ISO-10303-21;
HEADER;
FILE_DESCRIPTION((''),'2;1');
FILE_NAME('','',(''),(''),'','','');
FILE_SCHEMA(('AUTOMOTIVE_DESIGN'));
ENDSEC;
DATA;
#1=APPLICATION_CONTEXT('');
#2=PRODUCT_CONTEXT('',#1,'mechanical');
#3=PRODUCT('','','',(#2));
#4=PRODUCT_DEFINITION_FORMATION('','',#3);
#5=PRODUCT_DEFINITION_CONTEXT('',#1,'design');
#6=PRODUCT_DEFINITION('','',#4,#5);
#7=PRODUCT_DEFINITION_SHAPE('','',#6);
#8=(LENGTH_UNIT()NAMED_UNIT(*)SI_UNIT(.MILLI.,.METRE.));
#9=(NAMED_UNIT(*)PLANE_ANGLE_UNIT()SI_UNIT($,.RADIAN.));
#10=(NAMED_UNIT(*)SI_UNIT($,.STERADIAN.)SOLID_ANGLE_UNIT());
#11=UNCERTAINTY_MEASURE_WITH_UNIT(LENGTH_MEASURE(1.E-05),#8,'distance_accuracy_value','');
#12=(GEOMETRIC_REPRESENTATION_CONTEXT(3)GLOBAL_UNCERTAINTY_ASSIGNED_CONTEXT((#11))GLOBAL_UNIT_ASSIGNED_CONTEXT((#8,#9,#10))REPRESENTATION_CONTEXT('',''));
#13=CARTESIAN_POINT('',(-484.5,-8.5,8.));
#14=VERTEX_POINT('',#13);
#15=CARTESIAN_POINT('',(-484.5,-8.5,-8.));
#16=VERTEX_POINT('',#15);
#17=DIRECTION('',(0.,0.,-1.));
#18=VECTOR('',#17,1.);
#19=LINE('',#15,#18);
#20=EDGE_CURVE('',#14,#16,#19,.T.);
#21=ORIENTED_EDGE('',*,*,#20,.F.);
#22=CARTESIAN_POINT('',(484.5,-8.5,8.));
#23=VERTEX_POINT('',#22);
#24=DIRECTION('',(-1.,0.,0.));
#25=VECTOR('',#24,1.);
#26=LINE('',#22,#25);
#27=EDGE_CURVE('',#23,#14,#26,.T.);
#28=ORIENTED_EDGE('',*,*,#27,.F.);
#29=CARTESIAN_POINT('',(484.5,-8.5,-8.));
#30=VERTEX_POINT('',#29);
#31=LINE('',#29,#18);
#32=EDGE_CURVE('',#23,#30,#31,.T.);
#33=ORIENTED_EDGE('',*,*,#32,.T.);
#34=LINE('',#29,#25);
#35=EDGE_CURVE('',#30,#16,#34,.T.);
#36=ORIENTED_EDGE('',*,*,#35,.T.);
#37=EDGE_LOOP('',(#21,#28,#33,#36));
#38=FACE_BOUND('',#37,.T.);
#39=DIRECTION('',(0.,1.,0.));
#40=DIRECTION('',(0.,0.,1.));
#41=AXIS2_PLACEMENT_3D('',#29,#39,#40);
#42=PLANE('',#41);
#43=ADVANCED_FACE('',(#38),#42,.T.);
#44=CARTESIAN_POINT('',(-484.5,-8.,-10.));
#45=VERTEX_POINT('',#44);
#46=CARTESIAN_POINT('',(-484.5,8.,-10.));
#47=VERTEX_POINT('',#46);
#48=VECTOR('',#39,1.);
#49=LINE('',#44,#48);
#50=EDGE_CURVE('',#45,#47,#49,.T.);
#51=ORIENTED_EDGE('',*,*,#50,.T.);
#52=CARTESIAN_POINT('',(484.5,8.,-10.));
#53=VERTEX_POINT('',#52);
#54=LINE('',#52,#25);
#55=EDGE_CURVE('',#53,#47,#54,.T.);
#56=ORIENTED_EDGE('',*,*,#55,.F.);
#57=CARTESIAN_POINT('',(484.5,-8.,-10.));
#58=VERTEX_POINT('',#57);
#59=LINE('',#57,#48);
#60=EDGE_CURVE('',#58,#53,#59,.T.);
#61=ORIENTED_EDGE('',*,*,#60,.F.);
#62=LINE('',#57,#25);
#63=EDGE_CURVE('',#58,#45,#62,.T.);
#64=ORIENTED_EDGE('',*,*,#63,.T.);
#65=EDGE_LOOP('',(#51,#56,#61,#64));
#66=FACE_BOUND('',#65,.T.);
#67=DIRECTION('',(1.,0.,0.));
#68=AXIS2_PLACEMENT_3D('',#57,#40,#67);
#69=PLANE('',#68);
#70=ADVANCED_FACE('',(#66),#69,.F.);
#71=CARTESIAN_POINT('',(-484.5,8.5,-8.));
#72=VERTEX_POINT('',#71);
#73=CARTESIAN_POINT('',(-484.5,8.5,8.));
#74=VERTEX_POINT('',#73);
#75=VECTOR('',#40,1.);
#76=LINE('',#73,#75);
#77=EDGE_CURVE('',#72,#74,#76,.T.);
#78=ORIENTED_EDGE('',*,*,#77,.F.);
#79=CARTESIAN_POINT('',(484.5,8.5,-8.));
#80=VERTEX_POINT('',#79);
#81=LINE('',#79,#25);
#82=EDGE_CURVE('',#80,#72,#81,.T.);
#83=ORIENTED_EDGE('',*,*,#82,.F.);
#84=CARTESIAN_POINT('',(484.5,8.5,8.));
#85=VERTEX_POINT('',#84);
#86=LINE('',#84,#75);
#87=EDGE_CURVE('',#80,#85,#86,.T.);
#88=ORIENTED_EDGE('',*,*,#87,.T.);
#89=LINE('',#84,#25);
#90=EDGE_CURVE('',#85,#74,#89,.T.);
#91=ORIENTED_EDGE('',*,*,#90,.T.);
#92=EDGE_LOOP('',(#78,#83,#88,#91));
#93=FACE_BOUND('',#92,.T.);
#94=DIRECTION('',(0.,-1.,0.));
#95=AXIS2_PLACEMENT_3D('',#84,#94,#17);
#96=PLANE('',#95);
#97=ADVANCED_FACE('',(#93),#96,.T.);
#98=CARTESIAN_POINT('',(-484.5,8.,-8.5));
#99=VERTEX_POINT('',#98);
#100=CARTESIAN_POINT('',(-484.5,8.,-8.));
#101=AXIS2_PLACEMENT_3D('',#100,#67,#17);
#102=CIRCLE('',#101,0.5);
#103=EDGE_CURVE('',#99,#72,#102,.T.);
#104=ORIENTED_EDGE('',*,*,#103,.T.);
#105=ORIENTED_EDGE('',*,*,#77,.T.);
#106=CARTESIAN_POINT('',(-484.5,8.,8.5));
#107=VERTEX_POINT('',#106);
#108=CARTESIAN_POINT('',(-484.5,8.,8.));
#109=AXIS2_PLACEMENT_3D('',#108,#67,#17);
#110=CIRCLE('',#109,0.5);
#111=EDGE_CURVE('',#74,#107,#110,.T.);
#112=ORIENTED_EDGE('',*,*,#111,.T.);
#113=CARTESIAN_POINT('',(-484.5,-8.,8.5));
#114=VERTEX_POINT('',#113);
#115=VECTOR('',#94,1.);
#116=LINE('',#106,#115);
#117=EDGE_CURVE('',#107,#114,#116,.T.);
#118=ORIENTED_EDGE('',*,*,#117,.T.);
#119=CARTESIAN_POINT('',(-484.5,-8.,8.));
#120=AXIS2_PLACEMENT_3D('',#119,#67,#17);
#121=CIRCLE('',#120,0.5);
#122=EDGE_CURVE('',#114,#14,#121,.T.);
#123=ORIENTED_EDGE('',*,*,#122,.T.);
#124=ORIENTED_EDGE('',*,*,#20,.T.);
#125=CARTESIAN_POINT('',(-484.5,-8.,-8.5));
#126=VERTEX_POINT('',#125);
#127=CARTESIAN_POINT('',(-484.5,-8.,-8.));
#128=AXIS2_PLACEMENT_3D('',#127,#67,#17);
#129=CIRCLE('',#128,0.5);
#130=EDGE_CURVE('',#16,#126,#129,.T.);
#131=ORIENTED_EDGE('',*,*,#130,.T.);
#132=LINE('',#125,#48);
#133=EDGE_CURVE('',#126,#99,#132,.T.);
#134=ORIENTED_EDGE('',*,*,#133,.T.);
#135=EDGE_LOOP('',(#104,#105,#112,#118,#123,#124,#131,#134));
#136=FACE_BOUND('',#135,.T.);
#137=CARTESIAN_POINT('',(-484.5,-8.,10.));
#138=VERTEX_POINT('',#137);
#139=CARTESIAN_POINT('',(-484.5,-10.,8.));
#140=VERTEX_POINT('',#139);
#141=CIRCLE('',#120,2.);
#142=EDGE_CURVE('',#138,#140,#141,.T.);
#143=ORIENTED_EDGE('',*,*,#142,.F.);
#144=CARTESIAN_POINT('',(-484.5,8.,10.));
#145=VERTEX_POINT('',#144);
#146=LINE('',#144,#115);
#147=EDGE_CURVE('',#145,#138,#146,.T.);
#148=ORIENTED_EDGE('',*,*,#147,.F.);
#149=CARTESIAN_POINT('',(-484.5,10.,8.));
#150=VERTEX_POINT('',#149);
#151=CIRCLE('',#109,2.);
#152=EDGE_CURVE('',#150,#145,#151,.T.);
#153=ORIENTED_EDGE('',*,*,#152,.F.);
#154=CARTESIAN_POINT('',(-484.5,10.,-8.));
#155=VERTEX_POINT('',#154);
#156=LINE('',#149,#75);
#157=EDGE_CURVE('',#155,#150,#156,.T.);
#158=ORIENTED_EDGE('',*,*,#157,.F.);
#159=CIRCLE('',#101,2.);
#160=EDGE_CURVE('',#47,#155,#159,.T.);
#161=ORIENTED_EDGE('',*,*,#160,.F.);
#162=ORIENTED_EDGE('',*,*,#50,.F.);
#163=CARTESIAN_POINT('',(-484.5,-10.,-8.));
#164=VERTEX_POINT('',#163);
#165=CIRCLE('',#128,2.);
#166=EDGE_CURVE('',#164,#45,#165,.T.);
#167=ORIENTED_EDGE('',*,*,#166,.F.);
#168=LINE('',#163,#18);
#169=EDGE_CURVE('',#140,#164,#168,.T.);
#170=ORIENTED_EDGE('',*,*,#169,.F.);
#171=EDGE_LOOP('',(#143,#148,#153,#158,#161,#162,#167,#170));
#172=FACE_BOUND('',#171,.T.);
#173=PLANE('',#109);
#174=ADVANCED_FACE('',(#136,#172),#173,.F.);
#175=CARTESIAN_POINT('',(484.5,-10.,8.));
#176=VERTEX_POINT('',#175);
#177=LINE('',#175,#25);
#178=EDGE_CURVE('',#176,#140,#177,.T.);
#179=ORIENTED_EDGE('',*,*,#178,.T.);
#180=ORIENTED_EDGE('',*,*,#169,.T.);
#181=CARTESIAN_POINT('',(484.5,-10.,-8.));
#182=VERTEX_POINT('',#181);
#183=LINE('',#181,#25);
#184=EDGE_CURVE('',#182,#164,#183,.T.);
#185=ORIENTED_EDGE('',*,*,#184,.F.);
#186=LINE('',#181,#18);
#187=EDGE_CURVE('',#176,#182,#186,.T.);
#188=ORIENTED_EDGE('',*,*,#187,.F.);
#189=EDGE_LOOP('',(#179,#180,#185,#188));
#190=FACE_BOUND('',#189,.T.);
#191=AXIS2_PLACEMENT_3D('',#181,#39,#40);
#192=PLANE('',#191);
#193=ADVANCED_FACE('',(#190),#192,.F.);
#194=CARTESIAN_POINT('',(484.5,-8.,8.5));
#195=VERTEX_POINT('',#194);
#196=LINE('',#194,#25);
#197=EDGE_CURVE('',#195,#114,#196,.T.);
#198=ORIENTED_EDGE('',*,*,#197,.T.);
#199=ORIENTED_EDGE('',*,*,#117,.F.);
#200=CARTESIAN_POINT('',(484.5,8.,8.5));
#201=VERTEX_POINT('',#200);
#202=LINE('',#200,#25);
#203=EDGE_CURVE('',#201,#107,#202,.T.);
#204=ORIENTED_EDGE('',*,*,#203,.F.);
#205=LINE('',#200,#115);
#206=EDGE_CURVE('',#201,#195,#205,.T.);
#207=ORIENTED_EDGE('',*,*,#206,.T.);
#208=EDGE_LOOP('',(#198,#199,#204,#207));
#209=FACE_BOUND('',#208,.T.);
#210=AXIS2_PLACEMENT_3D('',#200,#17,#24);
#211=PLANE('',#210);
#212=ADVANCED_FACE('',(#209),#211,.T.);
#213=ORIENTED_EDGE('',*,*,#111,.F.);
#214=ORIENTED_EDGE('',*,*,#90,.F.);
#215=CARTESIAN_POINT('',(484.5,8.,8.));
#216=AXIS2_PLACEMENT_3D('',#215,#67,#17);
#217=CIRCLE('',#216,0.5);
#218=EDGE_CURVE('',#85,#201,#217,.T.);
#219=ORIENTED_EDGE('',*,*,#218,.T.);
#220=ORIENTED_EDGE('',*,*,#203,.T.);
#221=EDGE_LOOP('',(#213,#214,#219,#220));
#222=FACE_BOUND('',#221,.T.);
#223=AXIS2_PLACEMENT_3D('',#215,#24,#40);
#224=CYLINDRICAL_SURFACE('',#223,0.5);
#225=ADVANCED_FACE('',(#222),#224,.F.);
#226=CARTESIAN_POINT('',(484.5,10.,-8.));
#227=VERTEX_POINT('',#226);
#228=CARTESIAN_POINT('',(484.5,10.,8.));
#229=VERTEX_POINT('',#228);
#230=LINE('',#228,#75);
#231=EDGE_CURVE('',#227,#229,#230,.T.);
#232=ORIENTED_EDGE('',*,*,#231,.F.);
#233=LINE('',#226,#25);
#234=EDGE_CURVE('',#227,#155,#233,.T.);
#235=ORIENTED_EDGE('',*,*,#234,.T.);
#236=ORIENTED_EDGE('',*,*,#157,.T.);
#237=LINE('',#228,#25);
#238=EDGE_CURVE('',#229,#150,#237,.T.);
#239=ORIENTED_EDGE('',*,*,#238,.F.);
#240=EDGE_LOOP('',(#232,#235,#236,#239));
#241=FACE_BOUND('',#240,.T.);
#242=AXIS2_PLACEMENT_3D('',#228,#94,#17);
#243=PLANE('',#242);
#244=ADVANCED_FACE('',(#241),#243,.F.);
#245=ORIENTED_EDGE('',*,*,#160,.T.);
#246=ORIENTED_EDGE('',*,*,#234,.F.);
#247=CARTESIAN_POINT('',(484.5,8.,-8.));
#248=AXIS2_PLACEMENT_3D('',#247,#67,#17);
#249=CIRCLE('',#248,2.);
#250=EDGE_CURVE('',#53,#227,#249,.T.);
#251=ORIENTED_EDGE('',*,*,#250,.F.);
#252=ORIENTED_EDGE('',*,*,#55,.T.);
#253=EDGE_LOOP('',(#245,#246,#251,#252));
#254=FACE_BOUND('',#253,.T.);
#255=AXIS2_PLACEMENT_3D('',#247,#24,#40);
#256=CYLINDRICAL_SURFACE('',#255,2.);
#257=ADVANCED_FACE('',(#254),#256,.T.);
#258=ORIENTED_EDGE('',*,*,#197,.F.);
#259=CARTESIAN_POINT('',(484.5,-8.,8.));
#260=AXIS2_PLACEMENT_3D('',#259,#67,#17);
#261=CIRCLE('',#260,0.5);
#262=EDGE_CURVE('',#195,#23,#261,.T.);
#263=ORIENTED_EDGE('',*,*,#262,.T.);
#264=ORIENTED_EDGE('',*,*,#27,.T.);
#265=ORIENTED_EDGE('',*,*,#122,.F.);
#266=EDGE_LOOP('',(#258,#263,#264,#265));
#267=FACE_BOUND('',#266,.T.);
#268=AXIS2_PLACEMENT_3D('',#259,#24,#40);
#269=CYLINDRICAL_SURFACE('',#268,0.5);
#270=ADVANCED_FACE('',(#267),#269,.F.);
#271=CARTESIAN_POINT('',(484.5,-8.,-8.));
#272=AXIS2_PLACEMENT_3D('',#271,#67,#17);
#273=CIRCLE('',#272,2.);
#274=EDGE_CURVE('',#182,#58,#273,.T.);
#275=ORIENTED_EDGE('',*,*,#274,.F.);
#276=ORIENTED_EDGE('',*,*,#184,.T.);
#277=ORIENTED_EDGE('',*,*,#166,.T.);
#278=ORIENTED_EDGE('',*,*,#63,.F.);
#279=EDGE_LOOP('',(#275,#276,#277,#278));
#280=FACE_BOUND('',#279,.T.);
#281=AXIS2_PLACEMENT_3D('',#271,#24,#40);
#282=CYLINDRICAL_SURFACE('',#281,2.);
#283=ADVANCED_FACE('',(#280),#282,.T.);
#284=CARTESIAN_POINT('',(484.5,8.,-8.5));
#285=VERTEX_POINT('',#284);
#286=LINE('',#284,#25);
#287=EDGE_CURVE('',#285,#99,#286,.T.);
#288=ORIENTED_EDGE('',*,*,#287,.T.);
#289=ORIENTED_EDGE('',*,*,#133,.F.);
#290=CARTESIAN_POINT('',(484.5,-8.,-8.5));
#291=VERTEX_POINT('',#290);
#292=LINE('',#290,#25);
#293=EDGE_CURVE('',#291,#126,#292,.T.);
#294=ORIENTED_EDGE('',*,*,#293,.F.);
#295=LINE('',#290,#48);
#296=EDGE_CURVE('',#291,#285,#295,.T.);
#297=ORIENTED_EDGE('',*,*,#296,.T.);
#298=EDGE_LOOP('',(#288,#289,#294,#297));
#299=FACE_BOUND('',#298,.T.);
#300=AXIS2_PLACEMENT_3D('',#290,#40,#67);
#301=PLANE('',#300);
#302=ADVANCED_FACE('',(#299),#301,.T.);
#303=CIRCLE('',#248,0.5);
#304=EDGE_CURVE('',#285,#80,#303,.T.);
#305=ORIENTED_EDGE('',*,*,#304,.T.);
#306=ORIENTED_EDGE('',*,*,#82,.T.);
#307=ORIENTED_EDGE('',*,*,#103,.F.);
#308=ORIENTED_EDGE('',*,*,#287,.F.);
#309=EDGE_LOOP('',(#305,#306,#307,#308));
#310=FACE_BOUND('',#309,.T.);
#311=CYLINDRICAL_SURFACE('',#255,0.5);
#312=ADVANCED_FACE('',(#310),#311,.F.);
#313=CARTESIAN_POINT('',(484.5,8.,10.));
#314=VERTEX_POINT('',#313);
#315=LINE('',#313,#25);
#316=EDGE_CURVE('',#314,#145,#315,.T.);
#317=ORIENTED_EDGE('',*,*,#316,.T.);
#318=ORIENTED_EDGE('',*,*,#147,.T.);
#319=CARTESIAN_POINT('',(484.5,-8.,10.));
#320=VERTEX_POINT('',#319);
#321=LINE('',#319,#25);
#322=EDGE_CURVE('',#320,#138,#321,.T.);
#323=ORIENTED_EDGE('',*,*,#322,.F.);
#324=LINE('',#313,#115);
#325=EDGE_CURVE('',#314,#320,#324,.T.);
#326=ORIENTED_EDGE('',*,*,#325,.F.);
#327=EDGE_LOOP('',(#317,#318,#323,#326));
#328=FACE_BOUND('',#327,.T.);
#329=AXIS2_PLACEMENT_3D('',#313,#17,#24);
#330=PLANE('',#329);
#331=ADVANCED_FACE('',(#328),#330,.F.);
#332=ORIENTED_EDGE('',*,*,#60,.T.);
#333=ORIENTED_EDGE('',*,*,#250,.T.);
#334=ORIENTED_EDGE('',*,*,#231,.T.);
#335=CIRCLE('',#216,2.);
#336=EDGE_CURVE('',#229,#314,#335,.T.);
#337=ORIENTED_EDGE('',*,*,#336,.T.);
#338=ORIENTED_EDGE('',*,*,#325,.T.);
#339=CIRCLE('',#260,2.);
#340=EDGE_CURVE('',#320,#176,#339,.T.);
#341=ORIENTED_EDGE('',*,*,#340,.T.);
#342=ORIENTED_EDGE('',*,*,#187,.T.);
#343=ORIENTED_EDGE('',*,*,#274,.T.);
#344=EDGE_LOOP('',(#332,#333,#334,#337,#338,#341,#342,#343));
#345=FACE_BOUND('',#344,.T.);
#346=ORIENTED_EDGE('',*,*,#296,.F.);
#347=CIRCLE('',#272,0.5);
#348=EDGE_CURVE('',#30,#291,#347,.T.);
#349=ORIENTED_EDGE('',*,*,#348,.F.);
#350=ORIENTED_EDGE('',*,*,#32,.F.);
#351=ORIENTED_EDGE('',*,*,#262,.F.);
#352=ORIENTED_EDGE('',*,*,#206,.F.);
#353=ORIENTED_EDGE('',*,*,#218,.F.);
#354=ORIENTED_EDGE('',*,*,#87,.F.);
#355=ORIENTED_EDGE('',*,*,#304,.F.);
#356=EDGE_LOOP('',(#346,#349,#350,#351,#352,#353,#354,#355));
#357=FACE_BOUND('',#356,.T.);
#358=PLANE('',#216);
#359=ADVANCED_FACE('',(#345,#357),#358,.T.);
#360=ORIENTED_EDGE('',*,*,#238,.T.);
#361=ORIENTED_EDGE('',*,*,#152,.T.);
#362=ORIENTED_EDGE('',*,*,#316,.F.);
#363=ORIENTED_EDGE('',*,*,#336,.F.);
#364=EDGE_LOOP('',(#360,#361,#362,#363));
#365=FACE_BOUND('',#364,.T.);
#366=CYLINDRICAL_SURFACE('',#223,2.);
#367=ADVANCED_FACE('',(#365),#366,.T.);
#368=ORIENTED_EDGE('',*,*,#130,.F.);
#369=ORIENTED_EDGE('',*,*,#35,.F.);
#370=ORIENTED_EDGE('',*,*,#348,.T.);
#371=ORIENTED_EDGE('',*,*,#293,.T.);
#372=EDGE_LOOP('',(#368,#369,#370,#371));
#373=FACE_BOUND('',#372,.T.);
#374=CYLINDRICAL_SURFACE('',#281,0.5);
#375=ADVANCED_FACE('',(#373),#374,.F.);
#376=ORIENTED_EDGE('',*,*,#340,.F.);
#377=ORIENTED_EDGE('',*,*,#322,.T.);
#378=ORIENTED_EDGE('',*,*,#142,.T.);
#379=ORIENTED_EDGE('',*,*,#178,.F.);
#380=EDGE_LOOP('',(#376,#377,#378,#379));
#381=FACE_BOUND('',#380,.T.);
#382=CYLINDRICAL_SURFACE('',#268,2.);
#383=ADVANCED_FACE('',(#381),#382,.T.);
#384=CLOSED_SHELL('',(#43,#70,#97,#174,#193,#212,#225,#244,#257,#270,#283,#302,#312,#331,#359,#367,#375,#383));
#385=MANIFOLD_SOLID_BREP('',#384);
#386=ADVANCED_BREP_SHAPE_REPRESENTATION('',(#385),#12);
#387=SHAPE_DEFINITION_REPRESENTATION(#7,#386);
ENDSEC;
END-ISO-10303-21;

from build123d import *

# Parameters (mm, degrees)
F_2_X_2_X_0_25_1_DEPTH = 969


with BuildPart() as part:
    # Sketch1 → Квадратная труба 2 X 2 X 0.25(1) (new body)
    with BuildSketch(Plane.YZ.offset(-484.5)):
        with BuildLine():
            Line((-8, -10), (8, -10))
            ThreePointArc((8, -10), (9.414213562, -9.414213562), (10, -8))
            Line((10, -8), (10, 8))
            ThreePointArc((10, 8), (9.414213562, 9.414213562), (8, 10))
            Line((8, 10), (-8, 10))
            ThreePointArc((-8, 10), (-9.414213562, 9.414213562), (-10, 8))
            Line((-10, 8), (-10, -8))
            ThreePointArc((-10, -8), (-9.414213562, -9.414213562), (-8, -10))
        make_face()
        with BuildLine():
            Line((-8, -8.5), (8, -8.5))
            ThreePointArc((8, -8.5), (8.353553391, -8.353553391), (8.5, -8))
            Line((8.5, -8), (8.5, 8))
            ThreePointArc((8.5, 8), (8.353553391, 8.353553391), (8, 8.5))
            Line((8, 8.5), (-8, 8.5))
            ThreePointArc((-8, 8.5), (-8.353553391, 8.353553391), (-8.5, 8))
            Line((-8.5, 8), (-8.5, -8))
            ThreePointArc((-8.5, -8), (-8.353553391, -8.353553391), (-8, -8.5))
        make_face(mode=Mode.SUBTRACT)
    extrude(amount=F_2_X_2_X_0_25_1_DEPTH)


solid = part.part
